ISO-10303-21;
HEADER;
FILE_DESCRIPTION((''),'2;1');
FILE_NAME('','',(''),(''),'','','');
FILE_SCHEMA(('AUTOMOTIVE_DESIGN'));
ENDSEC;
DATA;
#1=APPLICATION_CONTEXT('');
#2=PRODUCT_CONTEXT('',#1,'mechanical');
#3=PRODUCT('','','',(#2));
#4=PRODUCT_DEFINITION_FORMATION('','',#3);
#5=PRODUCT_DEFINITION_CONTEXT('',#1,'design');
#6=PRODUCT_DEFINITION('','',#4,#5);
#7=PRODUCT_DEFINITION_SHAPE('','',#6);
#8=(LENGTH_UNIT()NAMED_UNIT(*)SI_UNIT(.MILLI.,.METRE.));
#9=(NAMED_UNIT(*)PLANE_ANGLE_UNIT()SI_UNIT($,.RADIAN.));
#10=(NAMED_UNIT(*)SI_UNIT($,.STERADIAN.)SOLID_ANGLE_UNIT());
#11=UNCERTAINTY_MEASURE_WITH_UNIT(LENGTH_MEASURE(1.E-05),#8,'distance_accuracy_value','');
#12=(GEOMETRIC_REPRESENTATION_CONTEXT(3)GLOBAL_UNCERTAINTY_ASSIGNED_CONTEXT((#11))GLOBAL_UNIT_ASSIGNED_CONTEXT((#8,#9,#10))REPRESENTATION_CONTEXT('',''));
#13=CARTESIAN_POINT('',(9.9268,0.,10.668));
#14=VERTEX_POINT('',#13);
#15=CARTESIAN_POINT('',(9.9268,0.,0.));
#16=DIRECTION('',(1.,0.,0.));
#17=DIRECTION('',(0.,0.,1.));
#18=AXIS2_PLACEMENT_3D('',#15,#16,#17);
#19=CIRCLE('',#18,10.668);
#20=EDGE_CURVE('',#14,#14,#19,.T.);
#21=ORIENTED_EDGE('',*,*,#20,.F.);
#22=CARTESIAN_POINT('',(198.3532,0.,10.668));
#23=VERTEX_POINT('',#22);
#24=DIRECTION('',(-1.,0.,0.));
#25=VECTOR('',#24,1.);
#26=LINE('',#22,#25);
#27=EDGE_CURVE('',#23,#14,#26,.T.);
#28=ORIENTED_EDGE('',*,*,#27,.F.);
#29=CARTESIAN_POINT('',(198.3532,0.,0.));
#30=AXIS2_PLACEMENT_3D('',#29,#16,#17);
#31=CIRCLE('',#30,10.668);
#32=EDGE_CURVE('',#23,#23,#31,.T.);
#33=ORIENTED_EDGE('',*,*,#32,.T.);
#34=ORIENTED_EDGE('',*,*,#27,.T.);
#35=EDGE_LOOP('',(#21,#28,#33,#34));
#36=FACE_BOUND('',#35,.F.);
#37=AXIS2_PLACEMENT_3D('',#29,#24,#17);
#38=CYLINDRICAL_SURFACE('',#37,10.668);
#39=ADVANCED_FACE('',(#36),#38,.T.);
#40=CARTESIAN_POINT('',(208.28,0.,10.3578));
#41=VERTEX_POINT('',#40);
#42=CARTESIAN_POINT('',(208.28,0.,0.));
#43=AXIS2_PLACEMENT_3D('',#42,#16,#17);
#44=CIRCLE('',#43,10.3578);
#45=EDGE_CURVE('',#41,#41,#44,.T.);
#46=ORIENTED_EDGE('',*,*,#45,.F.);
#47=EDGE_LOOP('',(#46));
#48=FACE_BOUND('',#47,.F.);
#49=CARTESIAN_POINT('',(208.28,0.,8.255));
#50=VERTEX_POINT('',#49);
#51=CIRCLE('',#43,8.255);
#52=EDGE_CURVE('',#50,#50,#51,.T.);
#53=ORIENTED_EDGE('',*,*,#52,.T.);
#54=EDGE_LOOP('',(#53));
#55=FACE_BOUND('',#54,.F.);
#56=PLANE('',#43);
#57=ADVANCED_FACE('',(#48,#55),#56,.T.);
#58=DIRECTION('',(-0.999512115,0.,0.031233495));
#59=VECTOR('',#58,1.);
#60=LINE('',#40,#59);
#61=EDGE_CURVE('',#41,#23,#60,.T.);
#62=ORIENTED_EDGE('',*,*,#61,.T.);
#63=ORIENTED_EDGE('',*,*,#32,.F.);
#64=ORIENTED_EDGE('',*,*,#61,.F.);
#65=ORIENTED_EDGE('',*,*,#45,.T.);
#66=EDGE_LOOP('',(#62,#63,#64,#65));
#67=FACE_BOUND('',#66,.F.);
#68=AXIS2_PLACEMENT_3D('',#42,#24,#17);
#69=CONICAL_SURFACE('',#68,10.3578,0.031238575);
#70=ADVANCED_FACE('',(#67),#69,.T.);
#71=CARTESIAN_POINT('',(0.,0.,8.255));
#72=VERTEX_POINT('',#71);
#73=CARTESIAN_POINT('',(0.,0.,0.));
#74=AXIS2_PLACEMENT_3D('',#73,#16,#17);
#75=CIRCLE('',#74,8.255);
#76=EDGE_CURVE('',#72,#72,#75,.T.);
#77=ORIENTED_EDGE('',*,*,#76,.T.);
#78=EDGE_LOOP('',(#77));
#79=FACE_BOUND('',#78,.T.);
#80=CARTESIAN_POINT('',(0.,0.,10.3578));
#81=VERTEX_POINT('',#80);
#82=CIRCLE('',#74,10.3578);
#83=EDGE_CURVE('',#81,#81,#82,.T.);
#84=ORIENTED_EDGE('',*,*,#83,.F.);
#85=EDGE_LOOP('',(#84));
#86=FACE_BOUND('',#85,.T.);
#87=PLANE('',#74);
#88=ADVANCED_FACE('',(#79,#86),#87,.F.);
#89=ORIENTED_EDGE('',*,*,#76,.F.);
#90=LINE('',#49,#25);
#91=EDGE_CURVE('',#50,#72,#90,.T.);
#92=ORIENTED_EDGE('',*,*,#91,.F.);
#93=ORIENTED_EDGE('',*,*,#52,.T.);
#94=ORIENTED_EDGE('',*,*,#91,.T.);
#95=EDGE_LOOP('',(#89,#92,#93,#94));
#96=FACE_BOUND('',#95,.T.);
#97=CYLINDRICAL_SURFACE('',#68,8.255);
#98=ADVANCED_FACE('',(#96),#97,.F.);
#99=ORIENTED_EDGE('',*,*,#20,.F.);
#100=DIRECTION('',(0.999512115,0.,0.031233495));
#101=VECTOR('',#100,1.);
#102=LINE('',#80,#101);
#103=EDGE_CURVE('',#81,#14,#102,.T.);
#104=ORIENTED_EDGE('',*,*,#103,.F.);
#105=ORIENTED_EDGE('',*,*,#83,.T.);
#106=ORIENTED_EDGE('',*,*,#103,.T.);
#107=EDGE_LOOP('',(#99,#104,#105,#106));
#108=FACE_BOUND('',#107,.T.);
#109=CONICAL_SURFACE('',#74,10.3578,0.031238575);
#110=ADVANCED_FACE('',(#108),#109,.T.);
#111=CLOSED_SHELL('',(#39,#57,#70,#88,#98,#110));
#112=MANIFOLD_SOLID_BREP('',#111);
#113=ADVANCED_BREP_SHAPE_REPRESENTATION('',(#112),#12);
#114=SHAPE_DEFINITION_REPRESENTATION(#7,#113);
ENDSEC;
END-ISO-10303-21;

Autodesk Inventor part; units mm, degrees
ref_plane "YZ Plane" through (0, 0, 0) normal (1, 0, 0) x (0, 1, 0)
ref_plane "XZ Plane" through (0, 0, 0) normal (0, 1, 0) x (-1, 0, 0)
ref_plane "XY Plane" through (0, 0, 0) normal (0, 0, 1) x (1, 0, 0)
sketch "Sketch1" plane through (0, 0, 0) normal (0, 1, 0) x (-1, 0, 0)
  line L0 (0, 0) -> (-208.28, 0)
  line L1 (-208.28, 0) -> (-208.28, 8.255) construction
  line L2 (-208.28, 8.255) -> (-208.28, 10.3578)
  line L3 (-208.28, 10.3578) -> (-198.3532, 10.668)
  line L4 (-198.3532, 10.668) -> (-9.9268, 10.668)
  line L5 (-104.14, 0) -> (-104.14, 10.668) construction
  line L6 (-208.28, 8.255) -> (0, 8.255)
  line L7 (0, 0) -> (0, 8.255) construction
  line L8 (0, 8.255) -> (0, 10.3578)
  line L9 (0, 10.3578) -> (-9.9268, 10.668)
  line L10 (-194.724, 10.7814) -> (-194.724, 0) construction
  line L11 (-13.556, 10.7814) -> (-13.556, 0) construction
  line L12 (-198.3532, 10.668) -> (-194.724, 10.7814) construction
  line L13 (-198.3532, 10.668) -> (-198.3532, 0) construction
  line L14 (-9.9268, 10.668) -> (-13.556, 10.7814) construction
  line L15 (-9.9268, 10.668) -> (-9.9268, 0) construction
  dimension "d0" = 21.336
  dimension "d1" = 1.79
  dimension "d2" = 16.51
  dimension "d3" = 208.28
  dimension "d4" = 13.556
  dimension "d5" = 21.5628
revolve "Revolution1" add sketch "Sketch1" angle 360 about axis through (0, 0, 0) along (1, 0, 0)
thread "Thread1" size "1/2" designation "1/2 - 14 NPT" standard "NPT" full length
thread "Thread2" size "1/2" designation "1/2 - 14 NPT" standard "NPT" full length
equation "\"d0\" = OD"
equation "\"d2\" = ID"
equation "\"d3\" = L"
equation "\"d4\" = L2"
equation "\"d5\" = D2"
equation "\"OD\" = 21.336"
equation "\"t\" = 2.413"
equation "\"L\" = PL"
equation "\"L4\" = 19.8501"
equation "\"ID\" = 16.51"
equation "\"PL\" = 208.28"
equation "\"D2\" = 21.56282"
equation "\"L2\" = 13.55598"
equation "\"Size_Designation\" = 1.2345"
equation "\"PLmin\" = 2 * L2"
properties material "Steel, Wrought"
